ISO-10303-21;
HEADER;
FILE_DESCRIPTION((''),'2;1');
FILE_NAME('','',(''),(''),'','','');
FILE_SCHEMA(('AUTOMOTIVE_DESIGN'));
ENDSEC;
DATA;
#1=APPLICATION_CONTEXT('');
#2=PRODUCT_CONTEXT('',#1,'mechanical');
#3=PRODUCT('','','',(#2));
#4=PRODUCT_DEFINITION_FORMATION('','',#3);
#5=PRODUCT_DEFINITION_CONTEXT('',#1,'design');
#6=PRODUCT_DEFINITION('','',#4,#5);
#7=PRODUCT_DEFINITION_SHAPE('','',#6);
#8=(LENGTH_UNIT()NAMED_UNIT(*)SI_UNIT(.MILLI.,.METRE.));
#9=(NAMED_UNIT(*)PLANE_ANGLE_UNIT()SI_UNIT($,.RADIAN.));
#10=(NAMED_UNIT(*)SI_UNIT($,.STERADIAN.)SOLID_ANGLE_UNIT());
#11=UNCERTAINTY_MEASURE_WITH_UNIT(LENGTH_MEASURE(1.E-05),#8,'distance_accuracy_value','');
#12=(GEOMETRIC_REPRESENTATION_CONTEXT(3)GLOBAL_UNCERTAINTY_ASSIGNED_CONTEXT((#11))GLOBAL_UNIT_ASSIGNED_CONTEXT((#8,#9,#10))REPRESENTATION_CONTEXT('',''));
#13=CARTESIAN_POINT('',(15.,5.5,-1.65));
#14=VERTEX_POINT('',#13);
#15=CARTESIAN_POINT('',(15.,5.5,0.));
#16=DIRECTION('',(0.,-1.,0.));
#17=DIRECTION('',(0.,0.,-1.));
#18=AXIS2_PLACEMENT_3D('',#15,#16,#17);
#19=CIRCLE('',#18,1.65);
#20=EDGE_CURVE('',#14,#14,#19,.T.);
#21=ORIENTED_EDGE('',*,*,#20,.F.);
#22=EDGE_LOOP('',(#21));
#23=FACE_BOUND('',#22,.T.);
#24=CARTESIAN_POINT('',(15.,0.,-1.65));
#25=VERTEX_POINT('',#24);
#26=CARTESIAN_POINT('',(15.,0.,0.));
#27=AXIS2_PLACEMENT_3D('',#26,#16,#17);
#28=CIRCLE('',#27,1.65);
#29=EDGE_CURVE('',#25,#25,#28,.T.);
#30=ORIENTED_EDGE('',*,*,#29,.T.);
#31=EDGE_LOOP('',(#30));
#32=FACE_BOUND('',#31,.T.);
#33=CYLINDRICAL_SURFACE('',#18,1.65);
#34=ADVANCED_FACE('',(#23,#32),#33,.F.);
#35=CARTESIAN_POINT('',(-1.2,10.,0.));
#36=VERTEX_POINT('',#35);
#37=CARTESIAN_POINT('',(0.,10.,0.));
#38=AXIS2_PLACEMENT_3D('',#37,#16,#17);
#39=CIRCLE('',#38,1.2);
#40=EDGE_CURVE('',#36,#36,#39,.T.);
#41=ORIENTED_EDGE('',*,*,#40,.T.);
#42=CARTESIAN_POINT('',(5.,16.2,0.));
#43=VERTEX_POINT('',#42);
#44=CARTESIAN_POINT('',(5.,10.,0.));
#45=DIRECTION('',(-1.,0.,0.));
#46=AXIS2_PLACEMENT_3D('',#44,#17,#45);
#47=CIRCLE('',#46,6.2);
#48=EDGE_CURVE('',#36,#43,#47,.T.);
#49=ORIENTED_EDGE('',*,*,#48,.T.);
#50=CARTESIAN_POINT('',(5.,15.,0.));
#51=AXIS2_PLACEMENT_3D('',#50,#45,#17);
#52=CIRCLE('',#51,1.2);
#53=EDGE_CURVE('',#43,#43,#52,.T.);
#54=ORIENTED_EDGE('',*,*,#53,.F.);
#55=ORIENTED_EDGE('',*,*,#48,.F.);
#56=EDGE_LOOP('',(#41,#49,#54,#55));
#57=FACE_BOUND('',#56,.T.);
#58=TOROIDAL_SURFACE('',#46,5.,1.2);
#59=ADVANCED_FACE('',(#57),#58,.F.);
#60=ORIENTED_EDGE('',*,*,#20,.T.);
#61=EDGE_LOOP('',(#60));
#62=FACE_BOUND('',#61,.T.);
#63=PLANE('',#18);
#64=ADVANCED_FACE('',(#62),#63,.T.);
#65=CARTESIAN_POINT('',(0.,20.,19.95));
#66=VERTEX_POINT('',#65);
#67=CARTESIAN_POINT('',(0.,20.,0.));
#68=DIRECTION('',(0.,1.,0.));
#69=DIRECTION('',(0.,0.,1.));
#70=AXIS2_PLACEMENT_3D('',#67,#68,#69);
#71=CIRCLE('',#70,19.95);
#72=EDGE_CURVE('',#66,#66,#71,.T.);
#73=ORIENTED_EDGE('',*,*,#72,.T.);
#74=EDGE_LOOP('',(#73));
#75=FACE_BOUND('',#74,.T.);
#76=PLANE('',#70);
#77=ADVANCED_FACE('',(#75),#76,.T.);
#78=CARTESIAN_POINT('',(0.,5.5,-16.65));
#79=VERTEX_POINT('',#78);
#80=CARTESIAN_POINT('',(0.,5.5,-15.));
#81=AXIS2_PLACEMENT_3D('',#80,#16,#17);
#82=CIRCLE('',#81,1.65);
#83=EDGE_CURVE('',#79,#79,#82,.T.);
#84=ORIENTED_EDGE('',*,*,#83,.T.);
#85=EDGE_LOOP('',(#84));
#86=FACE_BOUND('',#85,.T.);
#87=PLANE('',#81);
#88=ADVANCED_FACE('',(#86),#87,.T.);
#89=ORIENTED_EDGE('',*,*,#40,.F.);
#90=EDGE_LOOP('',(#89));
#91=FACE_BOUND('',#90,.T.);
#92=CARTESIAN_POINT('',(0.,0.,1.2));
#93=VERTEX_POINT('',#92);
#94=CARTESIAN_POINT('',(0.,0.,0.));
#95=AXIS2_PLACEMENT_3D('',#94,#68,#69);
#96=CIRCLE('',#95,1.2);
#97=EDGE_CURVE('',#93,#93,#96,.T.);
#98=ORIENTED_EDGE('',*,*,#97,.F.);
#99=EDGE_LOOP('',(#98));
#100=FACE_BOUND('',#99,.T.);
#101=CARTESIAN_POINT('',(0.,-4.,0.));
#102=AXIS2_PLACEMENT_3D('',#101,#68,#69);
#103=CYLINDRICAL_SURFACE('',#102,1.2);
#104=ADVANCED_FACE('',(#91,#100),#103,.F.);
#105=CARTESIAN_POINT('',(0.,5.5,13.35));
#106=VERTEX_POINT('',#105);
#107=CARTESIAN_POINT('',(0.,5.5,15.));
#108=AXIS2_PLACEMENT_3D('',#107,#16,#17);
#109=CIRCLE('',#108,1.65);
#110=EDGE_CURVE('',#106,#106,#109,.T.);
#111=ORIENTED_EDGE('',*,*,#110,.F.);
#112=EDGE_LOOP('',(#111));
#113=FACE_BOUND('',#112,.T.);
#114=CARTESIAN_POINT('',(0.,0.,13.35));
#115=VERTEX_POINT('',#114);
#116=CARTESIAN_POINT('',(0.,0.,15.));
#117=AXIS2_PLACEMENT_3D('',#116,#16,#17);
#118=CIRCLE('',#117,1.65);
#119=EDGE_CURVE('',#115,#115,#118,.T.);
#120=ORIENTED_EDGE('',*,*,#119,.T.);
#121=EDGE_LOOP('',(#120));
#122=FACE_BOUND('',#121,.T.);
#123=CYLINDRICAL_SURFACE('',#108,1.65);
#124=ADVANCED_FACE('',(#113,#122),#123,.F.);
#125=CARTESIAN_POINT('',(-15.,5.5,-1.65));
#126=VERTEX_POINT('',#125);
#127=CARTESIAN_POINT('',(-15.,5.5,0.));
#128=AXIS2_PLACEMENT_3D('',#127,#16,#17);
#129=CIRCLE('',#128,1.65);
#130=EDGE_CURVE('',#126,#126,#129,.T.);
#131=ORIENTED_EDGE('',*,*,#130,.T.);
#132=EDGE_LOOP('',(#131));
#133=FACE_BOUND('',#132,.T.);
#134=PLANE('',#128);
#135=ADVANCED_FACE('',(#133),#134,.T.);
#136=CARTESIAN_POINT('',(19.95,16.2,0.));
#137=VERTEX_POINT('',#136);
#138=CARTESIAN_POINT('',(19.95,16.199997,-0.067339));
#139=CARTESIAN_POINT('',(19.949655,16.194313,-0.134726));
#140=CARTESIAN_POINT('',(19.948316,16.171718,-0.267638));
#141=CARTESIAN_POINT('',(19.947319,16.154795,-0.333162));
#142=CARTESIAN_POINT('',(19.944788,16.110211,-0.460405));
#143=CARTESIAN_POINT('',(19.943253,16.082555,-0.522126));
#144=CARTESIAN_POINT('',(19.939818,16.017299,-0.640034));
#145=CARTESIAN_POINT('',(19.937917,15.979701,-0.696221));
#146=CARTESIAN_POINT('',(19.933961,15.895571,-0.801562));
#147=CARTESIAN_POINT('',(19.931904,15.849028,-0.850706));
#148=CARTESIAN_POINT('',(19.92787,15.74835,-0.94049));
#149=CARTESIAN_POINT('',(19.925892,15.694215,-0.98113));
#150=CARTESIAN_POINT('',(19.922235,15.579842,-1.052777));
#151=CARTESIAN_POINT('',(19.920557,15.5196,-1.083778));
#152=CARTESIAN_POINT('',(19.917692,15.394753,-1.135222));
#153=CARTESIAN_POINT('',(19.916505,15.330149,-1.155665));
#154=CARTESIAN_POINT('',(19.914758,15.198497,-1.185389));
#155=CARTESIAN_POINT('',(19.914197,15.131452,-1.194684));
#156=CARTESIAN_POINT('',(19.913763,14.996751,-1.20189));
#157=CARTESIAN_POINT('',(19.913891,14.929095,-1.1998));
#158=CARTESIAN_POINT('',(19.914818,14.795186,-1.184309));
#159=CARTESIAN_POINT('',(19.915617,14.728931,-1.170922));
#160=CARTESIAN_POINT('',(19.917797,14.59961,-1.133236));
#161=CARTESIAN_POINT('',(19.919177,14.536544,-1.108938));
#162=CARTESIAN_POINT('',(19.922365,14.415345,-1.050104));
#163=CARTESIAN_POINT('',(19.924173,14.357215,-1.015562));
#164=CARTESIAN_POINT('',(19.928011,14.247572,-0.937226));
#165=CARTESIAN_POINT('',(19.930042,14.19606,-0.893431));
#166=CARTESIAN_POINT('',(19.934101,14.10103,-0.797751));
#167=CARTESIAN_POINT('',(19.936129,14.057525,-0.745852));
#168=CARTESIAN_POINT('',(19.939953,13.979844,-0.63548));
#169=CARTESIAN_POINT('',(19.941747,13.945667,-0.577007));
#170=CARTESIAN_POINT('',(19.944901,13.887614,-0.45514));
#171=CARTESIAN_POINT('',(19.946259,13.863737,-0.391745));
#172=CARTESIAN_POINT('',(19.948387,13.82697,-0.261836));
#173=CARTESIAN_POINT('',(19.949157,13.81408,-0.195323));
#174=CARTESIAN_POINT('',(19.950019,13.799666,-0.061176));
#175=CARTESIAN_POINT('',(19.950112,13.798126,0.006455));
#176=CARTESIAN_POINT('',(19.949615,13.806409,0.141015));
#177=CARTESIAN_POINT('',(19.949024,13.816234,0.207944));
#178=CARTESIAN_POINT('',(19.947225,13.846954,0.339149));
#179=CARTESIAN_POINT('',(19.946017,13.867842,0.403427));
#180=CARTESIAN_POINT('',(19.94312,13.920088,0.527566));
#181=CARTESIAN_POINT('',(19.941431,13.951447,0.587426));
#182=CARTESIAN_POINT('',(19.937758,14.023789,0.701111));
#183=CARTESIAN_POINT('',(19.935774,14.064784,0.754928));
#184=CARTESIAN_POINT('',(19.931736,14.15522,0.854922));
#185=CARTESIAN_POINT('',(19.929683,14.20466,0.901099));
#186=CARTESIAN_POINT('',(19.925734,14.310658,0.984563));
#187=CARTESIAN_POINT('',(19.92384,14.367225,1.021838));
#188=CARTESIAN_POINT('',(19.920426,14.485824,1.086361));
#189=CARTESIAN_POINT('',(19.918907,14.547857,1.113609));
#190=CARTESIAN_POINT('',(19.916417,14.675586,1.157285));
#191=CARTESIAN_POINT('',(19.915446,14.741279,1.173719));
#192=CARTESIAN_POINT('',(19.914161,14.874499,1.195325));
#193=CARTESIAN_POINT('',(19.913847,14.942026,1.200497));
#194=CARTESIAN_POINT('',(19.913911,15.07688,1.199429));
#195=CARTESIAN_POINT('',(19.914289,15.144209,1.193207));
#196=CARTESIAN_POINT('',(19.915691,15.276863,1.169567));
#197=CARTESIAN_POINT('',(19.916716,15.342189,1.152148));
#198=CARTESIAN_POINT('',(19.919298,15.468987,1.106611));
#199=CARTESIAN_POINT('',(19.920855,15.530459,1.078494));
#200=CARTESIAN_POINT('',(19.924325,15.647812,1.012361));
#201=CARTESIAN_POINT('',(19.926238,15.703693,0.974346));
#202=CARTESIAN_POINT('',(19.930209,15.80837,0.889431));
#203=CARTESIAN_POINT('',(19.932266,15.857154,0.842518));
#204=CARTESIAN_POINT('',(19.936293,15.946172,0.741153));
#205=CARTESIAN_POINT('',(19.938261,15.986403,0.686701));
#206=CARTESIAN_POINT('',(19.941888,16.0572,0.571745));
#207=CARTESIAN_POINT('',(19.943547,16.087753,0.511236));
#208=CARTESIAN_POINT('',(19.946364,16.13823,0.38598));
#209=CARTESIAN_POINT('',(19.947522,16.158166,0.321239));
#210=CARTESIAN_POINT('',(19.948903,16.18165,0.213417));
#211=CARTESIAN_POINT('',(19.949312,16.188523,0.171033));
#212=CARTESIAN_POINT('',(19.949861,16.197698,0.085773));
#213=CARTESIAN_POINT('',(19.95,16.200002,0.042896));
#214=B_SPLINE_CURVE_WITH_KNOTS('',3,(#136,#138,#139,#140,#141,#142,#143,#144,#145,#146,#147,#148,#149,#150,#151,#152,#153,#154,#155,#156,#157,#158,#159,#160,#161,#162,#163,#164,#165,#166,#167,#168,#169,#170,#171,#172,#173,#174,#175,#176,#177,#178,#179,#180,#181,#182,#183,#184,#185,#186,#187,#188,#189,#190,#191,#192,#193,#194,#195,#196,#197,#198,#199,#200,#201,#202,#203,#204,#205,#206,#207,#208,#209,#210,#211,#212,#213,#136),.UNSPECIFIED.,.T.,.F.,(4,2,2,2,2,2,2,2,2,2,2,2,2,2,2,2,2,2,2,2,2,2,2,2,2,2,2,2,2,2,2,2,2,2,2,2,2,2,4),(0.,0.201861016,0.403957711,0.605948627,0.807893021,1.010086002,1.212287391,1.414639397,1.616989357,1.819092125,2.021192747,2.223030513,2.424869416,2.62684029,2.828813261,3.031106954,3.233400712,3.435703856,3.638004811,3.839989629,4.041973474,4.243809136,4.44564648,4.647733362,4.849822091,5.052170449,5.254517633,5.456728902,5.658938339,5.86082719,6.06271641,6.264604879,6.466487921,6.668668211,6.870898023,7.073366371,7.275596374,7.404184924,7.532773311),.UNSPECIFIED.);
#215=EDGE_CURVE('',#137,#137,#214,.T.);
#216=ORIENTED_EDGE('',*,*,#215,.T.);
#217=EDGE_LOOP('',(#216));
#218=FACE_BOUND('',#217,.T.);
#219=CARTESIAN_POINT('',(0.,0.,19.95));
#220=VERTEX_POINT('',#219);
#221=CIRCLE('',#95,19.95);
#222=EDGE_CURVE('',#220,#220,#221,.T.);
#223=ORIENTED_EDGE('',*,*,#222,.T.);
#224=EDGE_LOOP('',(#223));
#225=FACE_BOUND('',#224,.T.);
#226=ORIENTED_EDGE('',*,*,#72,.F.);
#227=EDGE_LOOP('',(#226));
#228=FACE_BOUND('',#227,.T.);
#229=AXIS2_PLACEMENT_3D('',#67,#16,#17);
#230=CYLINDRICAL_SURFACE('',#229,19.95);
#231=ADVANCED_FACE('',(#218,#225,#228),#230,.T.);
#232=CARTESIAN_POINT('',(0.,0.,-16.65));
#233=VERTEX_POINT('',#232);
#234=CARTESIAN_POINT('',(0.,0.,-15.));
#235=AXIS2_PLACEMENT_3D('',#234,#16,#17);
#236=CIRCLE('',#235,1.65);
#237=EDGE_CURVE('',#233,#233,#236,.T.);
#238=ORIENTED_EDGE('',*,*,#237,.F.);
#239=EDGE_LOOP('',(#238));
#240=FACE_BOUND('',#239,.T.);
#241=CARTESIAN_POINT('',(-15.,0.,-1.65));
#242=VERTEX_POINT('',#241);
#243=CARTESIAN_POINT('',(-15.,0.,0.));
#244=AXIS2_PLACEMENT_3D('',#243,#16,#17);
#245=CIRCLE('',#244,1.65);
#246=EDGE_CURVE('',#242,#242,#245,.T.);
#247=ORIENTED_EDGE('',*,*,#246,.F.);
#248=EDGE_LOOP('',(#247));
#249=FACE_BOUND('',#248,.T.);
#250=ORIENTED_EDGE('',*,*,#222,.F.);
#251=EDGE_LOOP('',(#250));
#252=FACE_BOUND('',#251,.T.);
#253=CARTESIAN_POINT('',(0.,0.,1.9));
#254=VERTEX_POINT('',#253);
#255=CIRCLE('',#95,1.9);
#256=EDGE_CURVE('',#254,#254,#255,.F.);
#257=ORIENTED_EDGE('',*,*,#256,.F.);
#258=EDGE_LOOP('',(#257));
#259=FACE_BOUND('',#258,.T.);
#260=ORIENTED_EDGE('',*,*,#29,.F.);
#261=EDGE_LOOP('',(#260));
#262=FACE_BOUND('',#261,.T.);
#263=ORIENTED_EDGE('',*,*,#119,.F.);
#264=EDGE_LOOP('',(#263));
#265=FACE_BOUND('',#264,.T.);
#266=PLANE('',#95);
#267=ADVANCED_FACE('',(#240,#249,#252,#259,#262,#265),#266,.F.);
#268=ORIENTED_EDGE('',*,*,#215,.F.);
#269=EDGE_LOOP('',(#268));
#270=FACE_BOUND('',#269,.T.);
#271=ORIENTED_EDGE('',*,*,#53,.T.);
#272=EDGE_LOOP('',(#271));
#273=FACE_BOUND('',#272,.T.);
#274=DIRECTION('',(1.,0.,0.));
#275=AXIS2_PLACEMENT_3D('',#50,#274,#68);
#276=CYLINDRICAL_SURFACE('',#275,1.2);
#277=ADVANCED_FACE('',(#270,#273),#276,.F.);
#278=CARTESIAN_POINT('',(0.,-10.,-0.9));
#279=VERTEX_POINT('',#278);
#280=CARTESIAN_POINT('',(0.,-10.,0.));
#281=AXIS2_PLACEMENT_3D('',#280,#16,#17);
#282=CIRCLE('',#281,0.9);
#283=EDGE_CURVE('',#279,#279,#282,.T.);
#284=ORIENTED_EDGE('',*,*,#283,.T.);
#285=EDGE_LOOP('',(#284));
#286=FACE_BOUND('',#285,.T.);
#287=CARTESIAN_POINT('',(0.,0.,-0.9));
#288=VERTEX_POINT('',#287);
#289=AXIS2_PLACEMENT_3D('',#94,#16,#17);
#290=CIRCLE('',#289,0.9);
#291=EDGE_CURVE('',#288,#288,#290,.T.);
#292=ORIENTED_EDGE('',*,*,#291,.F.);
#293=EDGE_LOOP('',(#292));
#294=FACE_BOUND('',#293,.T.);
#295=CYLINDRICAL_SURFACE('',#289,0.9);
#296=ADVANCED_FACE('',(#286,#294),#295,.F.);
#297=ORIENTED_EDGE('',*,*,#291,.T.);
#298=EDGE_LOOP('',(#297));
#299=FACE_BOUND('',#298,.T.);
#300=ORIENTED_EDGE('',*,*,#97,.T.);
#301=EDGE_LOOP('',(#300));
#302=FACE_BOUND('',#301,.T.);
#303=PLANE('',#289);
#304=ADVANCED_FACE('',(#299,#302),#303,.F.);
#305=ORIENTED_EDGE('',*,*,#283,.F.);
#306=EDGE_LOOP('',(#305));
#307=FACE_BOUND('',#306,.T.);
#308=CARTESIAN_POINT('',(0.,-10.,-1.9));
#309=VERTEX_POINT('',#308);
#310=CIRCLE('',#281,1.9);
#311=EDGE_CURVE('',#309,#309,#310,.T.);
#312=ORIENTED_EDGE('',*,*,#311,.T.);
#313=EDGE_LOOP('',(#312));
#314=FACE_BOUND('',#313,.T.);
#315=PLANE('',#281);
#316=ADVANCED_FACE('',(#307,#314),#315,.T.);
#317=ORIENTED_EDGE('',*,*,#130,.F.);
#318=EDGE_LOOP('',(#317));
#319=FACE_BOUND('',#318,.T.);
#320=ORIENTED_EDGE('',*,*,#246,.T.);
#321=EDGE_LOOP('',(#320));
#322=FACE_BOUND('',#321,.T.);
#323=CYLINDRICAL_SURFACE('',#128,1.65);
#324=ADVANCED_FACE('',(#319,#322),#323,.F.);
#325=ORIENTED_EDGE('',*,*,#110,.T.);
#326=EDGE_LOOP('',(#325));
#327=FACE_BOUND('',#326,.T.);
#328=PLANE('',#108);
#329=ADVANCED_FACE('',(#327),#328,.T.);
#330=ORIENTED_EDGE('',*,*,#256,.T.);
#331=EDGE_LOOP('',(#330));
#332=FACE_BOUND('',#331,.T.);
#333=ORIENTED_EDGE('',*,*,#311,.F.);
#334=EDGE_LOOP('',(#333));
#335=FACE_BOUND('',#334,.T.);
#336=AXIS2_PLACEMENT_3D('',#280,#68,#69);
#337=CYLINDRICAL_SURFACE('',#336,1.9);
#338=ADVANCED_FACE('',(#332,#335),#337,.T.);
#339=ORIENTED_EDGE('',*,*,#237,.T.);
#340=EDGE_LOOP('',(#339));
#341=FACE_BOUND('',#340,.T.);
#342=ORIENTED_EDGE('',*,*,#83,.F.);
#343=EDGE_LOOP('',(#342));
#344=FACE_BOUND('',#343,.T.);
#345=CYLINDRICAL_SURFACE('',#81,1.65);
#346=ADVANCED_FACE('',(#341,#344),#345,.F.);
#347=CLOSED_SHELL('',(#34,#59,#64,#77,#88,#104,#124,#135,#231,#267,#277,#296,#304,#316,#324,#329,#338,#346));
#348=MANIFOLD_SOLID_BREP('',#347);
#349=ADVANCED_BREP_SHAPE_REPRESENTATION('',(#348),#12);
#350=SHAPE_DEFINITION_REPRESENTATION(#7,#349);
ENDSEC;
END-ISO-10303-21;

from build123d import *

# Parameters (mm, degrees)
SKETCH1_R           = 19.95
BOSS_EXTRUDE1_DEPTH = 20
SKETCH6_R           = 1.2
SKETCH12_R          = 1.9
BOSS_EXTRUDE2_DEPTH = 10
SKETCH13_R          = 0.9
CUT_EXTRUDE1_DEPTH  = 10
SKETCH14_R          = 1.65
CUT_EXTRUDE2_DEPTH  = 5.5


with BuildPart() as part:
    # Sketch1 → Boss-Extrude1 (new body)
    with BuildSketch(Plane(origin=(0, 0, 0), x_dir=(1, 0, 0), z_dir=(0, 1, 0))):
        Circle(SKETCH1_R)
    extrude(amount=BOSS_EXTRUDE1_DEPTH)

    # Cut-Sweep2: sweep along a path in Sketch5
    with BuildLine(Plane.XY) as cut_sweep2_path:
        Line((0, 0), (0, 10))
        ThreePointArc((0, 10), (1.464466094, 13.535533906), (5, 15))
        Line((5, 15), (19.95, 15))
    # Sketch6 → Cut-Sweep2 (sweep, cut)
    with BuildSketch(Plane(origin=(0, 0, 0), x_dir=(-1, 0, 0), z_dir=(0, -1, 0))):
        Circle(SKETCH6_R)
    sweep(path=cut_sweep2_path.line, mode=Mode.SUBTRACT)

    # Sketch12 → Boss-Extrude2 (add)
    with BuildSketch(Plane(origin=(0, 0, 0), x_dir=(-1, 0, 0), z_dir=(0, -1, 0))):
        Circle(SKETCH12_R)
    extrude(amount=BOSS_EXTRUDE2_DEPTH)

    # Sketch13 → Cut-Extrude1 (cut)
    with BuildSketch(Plane(origin=(0, -10, 0), x_dir=(-1, 0, 0), z_dir=(0, -1, 0))):
        Circle(SKETCH13_R)
    extrude(amount=-CUT_EXTRUDE1_DEPTH, mode=Mode.SUBTRACT)

    # Sketch14 → Cut-Extrude2 (cut)
    with BuildSketch(Plane(origin=(0, 0, 0), x_dir=(-1, 0, 0), z_dir=(0, -1, 0))):
        with Locations((-15, 0)):
            Circle(SKETCH14_R)
        with Locations((0, 15)):
            Circle(SKETCH14_R)
        with Locations((0, -15)):
            Circle(SKETCH14_R)
        with Locations((15, 0)):
            Circle(SKETCH14_R)
    extrude(amount=-CUT_EXTRUDE2_DEPTH, mode=Mode.SUBTRACT)


solid = part.part
